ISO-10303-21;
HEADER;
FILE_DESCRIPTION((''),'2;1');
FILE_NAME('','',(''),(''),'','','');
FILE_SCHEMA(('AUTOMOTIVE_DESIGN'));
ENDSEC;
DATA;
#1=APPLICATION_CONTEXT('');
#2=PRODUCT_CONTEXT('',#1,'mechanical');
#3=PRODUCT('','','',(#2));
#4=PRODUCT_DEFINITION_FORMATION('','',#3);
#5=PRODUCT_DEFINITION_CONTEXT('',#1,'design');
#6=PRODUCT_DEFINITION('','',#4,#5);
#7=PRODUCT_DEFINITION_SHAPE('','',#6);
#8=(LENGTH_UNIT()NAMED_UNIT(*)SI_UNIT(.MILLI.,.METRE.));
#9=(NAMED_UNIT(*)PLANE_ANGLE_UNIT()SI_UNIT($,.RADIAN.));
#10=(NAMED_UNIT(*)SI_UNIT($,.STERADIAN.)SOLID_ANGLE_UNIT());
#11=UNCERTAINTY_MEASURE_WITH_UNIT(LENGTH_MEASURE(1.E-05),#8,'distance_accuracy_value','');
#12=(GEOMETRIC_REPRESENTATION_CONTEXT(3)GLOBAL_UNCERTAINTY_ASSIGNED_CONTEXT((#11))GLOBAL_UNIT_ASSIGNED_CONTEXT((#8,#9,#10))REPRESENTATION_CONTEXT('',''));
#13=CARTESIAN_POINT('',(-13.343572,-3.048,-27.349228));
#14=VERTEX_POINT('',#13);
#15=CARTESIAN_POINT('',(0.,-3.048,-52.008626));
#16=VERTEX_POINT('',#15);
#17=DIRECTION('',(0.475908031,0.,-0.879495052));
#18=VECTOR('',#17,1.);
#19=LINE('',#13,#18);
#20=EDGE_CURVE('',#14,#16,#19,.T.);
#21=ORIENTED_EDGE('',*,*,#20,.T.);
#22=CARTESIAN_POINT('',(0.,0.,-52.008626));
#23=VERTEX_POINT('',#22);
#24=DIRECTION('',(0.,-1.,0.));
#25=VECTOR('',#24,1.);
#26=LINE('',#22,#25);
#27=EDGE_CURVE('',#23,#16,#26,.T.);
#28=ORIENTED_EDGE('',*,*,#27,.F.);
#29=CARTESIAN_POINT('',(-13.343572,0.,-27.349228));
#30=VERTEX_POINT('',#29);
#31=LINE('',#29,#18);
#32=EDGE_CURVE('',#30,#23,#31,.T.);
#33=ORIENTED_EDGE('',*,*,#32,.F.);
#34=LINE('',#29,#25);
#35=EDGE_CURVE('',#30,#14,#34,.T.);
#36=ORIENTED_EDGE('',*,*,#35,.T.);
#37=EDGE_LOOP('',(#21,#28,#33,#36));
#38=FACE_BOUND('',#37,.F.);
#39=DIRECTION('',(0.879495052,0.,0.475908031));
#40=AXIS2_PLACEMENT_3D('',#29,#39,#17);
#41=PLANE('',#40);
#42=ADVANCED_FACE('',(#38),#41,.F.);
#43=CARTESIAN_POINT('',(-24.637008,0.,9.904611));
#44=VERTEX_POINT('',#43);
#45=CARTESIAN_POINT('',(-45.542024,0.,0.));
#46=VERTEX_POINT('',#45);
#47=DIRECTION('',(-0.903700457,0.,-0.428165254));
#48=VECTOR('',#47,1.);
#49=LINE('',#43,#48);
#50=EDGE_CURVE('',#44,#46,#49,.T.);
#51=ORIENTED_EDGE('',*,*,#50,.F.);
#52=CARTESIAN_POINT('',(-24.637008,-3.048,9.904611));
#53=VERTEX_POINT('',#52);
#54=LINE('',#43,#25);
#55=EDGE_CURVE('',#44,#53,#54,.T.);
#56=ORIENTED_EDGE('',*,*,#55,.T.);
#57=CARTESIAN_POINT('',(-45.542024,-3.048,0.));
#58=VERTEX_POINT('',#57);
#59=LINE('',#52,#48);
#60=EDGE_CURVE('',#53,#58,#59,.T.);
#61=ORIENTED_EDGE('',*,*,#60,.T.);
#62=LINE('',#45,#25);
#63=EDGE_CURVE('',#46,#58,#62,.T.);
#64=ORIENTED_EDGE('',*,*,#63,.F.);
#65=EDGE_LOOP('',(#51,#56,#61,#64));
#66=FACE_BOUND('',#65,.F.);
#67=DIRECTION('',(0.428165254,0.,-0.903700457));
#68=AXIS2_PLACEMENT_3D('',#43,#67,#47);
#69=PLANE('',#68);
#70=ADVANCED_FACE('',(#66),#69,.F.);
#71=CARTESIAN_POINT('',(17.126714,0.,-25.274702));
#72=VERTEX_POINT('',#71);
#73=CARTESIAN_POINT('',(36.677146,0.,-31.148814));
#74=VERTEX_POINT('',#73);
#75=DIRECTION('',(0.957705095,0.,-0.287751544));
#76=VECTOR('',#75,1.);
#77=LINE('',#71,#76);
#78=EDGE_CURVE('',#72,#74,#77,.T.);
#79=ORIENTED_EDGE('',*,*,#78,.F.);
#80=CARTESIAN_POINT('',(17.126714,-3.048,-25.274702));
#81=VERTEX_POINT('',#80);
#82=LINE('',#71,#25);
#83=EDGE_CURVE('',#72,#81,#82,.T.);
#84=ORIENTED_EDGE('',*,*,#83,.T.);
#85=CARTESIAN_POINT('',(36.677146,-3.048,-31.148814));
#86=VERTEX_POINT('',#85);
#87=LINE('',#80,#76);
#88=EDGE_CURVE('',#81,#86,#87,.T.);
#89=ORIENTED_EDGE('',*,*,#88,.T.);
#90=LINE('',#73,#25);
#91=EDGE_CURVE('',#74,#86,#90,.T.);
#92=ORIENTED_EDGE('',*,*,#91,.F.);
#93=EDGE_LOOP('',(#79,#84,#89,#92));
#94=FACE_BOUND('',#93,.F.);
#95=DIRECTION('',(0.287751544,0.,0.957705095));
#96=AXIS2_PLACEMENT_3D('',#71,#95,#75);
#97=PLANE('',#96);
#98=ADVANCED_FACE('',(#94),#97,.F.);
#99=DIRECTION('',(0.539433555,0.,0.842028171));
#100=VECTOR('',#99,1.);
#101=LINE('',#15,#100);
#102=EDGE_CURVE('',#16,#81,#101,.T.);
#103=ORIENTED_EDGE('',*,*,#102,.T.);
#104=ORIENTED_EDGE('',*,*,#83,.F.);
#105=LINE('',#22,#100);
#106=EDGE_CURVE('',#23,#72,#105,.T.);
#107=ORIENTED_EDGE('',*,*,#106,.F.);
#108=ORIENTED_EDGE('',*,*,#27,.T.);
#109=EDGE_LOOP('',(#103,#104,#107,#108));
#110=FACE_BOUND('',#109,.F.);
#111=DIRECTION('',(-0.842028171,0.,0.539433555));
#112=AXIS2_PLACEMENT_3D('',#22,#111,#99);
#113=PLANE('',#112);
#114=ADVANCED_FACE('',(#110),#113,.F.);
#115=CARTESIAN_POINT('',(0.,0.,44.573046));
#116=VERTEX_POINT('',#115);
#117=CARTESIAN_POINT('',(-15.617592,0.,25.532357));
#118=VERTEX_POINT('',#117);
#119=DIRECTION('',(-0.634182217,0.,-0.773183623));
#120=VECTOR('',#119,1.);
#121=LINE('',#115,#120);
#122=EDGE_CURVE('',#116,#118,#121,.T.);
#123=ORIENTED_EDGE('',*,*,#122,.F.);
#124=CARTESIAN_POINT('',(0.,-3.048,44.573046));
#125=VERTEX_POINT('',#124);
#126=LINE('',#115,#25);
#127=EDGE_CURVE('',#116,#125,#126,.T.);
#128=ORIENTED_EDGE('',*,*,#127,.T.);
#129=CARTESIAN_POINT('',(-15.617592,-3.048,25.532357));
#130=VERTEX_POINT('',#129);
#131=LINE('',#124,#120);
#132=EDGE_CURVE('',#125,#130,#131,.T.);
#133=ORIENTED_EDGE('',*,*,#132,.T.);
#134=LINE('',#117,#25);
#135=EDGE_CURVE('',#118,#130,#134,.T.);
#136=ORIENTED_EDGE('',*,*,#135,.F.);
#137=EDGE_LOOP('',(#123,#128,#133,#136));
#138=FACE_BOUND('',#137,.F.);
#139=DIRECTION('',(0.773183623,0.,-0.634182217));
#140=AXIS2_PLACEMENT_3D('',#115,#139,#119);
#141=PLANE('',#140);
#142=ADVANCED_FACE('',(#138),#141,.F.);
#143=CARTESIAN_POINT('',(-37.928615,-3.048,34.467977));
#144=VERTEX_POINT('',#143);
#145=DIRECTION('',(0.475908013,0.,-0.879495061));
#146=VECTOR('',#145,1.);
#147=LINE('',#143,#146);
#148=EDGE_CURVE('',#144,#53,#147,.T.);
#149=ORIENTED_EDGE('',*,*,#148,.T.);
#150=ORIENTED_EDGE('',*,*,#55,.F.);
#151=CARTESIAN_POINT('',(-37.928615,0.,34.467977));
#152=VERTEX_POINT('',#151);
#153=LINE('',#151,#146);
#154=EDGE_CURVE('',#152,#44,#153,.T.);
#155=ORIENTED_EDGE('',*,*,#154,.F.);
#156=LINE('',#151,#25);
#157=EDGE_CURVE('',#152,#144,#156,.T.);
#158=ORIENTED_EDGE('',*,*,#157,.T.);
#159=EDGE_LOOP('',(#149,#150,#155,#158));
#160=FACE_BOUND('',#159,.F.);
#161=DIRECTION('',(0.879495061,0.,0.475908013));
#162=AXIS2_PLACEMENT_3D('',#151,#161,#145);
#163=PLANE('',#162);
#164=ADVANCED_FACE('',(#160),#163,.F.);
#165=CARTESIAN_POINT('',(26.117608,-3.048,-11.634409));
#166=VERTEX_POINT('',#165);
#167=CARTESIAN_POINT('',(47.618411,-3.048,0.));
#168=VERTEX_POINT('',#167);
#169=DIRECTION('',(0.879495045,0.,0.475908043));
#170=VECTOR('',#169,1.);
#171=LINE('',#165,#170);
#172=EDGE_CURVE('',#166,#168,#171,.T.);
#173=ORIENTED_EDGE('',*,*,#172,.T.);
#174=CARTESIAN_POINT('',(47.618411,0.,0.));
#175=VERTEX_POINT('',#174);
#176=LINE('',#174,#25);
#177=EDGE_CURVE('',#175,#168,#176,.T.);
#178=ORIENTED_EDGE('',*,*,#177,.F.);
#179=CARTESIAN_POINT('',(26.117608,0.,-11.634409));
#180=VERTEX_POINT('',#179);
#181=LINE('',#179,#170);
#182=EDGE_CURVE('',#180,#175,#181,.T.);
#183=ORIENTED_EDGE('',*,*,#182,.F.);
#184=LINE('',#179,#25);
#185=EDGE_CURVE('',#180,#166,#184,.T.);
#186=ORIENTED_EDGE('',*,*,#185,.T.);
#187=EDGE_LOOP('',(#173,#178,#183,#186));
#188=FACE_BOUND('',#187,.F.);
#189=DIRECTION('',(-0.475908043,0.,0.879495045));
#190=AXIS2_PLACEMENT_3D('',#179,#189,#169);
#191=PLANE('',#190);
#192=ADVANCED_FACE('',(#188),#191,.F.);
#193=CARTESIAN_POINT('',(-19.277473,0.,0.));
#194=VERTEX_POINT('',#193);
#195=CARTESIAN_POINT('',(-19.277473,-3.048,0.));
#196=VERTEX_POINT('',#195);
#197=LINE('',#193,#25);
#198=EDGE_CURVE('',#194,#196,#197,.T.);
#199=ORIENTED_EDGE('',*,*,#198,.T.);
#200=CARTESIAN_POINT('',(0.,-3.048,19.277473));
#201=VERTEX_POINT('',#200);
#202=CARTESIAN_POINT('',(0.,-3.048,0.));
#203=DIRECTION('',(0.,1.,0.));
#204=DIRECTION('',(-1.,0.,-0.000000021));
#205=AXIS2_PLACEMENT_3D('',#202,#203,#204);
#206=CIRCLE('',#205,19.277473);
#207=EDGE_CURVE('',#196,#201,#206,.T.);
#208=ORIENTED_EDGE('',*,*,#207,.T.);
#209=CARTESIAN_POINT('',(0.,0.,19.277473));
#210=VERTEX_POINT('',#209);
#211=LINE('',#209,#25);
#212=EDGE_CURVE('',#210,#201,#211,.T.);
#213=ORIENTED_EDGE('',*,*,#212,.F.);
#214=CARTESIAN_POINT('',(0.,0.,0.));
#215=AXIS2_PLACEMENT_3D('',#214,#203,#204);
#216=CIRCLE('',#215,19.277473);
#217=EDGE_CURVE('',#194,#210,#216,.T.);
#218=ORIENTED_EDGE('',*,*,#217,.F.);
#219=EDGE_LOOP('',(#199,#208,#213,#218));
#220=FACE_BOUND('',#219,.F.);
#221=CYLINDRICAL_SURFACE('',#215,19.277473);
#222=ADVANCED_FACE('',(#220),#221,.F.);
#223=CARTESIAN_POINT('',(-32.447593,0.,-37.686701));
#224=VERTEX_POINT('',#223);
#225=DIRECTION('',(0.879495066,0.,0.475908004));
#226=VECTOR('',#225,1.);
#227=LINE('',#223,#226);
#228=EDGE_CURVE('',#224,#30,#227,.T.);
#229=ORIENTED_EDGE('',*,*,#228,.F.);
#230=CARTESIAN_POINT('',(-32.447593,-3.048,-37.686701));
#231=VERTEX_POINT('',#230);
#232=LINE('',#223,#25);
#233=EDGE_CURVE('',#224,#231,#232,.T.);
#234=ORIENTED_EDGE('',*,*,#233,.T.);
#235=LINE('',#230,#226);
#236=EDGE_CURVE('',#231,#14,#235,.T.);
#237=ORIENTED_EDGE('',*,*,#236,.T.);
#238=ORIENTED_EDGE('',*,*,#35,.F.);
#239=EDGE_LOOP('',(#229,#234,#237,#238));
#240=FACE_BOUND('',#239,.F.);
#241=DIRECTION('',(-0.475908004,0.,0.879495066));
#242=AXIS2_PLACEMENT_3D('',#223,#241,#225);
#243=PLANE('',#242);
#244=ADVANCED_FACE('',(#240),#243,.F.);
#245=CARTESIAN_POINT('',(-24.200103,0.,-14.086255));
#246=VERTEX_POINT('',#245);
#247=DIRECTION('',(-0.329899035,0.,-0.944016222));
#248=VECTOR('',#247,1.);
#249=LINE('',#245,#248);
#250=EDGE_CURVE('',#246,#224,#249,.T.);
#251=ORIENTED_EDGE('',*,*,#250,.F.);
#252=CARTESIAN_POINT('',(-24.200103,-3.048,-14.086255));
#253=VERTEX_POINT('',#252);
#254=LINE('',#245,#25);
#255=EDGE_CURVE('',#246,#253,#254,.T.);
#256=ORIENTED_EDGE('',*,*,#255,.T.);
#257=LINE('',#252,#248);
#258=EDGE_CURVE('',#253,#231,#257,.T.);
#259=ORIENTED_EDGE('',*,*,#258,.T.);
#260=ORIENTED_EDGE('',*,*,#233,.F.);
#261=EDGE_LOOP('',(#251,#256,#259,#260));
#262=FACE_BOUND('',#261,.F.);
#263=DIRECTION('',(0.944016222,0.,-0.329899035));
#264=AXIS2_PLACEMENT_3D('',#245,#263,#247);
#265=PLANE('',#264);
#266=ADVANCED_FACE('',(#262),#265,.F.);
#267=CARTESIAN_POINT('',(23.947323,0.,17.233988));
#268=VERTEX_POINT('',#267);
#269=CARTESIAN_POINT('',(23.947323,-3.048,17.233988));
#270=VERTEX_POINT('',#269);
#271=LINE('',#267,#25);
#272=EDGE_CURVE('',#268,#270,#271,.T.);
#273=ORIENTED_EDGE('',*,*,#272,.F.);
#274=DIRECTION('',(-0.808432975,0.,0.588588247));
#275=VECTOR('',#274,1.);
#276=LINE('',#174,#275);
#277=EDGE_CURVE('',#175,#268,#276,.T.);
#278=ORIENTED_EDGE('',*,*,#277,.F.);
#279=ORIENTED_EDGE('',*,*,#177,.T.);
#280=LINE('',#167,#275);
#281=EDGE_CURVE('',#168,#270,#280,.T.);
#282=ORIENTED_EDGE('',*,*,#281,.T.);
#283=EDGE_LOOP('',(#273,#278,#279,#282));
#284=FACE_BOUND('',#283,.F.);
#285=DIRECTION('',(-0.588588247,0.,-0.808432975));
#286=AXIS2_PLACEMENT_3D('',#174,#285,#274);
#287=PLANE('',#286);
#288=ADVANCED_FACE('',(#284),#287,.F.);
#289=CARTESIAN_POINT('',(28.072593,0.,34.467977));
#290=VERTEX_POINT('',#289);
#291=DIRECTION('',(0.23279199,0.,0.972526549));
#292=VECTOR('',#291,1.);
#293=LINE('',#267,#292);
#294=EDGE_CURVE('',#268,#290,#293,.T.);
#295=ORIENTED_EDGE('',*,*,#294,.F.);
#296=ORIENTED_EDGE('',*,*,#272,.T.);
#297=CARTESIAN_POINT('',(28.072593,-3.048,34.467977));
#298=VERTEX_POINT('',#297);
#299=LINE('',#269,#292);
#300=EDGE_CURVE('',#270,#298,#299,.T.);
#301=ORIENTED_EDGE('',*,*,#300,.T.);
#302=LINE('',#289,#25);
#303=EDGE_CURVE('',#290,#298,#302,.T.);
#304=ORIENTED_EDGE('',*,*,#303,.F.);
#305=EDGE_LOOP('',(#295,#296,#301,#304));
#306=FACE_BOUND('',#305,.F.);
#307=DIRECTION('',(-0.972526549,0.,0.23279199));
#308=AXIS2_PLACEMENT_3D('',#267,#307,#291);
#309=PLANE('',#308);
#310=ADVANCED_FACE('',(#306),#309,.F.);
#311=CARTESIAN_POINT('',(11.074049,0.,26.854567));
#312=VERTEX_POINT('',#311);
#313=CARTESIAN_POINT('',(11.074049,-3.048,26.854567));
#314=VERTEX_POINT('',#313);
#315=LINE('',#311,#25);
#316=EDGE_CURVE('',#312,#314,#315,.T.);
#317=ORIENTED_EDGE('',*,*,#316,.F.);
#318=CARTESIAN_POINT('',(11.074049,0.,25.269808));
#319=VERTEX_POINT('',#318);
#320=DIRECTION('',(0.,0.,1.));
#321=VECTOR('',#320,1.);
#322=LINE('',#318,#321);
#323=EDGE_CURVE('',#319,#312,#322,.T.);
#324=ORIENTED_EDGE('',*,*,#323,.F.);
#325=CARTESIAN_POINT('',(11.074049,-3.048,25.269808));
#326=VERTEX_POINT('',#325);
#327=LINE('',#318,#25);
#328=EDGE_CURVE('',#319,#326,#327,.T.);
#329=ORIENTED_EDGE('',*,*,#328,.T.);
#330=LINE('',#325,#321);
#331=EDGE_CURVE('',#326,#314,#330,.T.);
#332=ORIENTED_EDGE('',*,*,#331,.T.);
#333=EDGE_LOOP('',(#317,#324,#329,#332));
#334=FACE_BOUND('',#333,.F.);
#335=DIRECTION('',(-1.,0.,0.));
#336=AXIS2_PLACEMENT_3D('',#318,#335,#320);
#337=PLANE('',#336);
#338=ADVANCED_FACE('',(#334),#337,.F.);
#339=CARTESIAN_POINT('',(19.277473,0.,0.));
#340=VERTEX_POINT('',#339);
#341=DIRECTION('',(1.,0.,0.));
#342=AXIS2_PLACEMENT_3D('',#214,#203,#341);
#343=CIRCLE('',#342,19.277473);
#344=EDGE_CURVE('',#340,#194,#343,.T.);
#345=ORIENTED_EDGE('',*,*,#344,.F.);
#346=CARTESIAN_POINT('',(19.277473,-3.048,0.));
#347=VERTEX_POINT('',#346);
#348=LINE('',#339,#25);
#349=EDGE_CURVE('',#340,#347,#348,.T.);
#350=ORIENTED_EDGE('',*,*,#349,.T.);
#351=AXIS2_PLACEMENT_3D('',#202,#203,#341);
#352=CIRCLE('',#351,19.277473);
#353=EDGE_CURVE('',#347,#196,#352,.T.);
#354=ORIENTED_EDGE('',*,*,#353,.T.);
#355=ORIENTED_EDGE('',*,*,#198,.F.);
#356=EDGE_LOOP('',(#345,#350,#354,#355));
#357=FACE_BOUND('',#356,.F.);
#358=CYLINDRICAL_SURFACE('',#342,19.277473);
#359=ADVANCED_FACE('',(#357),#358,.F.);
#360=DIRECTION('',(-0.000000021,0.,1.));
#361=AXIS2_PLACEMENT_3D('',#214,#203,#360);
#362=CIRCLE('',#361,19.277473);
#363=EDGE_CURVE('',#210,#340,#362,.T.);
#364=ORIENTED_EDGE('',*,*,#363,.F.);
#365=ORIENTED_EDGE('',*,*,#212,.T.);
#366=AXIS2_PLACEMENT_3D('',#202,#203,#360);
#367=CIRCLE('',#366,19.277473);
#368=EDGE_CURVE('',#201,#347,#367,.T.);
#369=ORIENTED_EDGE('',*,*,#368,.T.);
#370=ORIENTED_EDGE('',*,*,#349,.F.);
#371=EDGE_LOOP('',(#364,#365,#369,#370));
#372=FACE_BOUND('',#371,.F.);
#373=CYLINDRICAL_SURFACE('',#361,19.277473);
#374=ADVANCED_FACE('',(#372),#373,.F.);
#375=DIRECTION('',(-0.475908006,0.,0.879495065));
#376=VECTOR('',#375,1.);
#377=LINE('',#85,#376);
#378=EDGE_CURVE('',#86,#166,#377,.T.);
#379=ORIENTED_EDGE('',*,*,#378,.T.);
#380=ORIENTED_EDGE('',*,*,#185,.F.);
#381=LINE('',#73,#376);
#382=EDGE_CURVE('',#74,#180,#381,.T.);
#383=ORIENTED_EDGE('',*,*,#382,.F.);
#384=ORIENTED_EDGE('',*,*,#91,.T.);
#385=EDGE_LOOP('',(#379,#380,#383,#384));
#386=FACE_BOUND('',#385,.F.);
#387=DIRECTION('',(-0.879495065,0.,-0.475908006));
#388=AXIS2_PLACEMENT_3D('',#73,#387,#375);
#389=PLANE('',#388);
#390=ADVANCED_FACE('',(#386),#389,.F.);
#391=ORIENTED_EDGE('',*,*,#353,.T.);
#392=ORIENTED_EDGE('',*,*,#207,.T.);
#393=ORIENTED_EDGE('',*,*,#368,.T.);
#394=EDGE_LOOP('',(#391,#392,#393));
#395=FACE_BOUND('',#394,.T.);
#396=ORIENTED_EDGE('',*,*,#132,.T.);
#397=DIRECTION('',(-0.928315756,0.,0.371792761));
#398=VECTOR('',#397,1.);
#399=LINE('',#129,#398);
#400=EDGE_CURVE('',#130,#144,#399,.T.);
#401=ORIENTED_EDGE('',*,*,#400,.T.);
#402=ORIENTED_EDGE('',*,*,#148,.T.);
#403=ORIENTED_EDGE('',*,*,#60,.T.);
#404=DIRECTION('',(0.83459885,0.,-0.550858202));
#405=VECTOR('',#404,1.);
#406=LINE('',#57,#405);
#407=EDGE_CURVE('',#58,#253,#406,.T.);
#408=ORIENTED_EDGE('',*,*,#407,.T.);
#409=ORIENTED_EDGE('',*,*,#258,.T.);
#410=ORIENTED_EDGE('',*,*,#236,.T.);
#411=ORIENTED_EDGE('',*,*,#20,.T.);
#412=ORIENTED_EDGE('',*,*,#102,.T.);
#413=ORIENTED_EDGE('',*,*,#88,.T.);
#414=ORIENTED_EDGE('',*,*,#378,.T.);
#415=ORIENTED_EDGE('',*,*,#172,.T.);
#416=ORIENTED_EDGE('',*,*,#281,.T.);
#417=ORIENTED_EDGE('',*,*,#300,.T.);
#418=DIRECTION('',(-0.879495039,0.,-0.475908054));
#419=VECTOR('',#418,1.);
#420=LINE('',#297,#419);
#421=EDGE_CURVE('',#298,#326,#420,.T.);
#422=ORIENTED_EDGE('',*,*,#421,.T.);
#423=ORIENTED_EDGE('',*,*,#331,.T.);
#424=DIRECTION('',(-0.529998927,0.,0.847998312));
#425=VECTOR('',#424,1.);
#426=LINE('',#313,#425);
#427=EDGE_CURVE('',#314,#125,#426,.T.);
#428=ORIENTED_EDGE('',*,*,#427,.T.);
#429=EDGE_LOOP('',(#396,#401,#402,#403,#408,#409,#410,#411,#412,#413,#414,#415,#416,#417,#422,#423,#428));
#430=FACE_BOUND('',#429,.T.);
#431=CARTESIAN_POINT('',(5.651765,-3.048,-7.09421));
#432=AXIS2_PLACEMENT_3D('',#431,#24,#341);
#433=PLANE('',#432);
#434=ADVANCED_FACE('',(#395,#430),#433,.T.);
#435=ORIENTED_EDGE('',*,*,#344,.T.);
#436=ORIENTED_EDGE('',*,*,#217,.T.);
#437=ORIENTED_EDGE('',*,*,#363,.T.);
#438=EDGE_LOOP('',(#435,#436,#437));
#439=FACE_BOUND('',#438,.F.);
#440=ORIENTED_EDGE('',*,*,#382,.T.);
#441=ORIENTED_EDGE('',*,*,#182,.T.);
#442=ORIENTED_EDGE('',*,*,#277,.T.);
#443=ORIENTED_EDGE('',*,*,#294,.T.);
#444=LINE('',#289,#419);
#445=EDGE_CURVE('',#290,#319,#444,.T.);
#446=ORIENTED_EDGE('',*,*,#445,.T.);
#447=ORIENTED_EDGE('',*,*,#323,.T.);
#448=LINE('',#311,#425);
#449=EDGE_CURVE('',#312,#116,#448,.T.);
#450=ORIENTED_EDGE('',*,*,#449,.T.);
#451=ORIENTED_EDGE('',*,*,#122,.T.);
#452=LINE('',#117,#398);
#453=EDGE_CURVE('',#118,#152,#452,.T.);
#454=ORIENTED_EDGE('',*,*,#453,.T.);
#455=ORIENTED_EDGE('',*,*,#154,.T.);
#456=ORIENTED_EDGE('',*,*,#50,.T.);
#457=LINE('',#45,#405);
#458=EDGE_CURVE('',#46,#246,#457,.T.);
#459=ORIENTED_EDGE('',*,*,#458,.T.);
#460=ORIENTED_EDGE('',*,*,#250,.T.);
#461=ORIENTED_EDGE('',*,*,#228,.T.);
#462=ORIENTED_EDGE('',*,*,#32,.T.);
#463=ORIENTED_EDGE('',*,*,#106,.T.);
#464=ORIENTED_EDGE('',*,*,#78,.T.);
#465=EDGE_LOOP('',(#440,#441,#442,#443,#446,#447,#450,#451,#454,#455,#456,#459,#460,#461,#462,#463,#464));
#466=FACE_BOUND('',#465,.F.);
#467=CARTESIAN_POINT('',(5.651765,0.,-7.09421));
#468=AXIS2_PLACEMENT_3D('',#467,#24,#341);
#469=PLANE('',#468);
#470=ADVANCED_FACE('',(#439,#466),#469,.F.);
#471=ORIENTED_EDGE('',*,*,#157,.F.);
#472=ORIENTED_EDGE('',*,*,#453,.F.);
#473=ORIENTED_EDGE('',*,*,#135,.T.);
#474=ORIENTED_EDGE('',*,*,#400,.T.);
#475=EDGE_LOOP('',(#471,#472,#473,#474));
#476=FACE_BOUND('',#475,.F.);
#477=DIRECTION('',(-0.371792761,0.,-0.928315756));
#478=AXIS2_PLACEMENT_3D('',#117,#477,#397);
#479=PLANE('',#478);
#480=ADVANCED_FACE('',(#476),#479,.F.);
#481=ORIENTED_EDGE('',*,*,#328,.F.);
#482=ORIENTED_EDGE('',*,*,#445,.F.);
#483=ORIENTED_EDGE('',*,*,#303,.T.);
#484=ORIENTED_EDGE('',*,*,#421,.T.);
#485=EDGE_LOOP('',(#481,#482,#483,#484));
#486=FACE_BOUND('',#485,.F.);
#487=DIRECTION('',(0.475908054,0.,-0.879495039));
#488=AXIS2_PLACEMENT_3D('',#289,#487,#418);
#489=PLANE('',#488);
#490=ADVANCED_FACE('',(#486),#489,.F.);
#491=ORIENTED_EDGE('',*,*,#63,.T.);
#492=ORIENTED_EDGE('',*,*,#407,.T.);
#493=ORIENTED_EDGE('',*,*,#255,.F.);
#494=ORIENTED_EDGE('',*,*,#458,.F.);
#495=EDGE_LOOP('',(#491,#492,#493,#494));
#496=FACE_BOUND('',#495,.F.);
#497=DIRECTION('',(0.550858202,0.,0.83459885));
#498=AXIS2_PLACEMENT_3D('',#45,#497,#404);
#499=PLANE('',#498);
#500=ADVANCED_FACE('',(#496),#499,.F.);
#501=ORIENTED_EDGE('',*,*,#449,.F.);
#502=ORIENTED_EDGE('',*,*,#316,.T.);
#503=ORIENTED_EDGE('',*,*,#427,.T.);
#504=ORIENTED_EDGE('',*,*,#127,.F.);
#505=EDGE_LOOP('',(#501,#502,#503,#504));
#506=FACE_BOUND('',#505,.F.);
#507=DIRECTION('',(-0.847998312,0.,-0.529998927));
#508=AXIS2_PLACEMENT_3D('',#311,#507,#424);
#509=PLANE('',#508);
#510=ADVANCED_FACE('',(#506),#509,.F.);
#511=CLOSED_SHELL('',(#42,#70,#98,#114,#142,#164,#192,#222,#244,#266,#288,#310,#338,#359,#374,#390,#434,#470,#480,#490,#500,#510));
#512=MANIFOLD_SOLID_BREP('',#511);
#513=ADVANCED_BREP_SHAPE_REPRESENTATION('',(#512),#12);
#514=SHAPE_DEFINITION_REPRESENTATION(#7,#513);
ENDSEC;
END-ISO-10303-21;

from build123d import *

# Parameters (mm, degrees)
F1_DEPTH = 3.048


with BuildPart() as f1:
    # F0 (on Front) → F1 (new body)
    with BuildSketch(Plane.XZ):
        with BuildLine():
            ThreePointArc((0, 19.277473), (13.631232, 13.631232), (19.277473, 0))
            ThreePointArc((19.277473, 0), (0, -19.277473), (-19.277473, 0))
            Line((-19.277473, 0), (-24.200103, -14.086255))
            Line((-24.200103, -14.086255), (-32.447593, -37.686701))
            Line((-32.447593, -37.686701), (-13.343572, -27.349228))
            Line((-13.343572, -27.349228), (0, -20.12882))
            Line((0, -20.12882), (17.126714, -25.274702))
            Line((17.126714, -25.274702), (36.677146, -31.148814))
            Line((36.677146, -31.148814), (26.117608, -11.634409))
            Line((26.117608, -11.634409), (19.822054, 0))
            Line((19.822054, 0), (23.947323, 17.233988))
            Line((23.947323, 17.233988), (28.072593, 34.467977))
            Line((28.072593, 34.467977), (11.074049, 25.269808))
            Line((11.074049, 25.269808), (0, 19.277473))
        make_face()
        with BuildLine():
            ThreePointArc((-19.277473, 0), (-13.631232, 13.631232), (0, 19.277473))
            Line((0, 19.277473), (-15.617592, 25.532357))
            Line((-15.617592, 25.532357), (-37.928615, 34.467977))
            Line((-37.928615, 34.467977), (-24.637008, 9.904611))
            Line((-24.637008, 9.904611), (-19.277473, 0))
        make_face()
        Polygon((-15.617592, 25.532357), (0, 19.277473), (11.074049, 25.269808), (11.074049, 26.854567), (0, 44.573046), align=None)
        Polygon((-24.200103, -14.086255), (-19.277473, 0), (-24.637008, 9.904611), (-45.542024, 0), align=None)
        Polygon((47.618411, 0), (23.947323, 17.233988), (19.822054, 0), (26.117608, -11.634409), align=None)
        Polygon((0, -20.12882), (-13.343572, -27.349228), (0, -52.008626), (17.126714, -25.274702), align=None)
    extrude(amount=F1_DEPTH)


solid = f1.part
